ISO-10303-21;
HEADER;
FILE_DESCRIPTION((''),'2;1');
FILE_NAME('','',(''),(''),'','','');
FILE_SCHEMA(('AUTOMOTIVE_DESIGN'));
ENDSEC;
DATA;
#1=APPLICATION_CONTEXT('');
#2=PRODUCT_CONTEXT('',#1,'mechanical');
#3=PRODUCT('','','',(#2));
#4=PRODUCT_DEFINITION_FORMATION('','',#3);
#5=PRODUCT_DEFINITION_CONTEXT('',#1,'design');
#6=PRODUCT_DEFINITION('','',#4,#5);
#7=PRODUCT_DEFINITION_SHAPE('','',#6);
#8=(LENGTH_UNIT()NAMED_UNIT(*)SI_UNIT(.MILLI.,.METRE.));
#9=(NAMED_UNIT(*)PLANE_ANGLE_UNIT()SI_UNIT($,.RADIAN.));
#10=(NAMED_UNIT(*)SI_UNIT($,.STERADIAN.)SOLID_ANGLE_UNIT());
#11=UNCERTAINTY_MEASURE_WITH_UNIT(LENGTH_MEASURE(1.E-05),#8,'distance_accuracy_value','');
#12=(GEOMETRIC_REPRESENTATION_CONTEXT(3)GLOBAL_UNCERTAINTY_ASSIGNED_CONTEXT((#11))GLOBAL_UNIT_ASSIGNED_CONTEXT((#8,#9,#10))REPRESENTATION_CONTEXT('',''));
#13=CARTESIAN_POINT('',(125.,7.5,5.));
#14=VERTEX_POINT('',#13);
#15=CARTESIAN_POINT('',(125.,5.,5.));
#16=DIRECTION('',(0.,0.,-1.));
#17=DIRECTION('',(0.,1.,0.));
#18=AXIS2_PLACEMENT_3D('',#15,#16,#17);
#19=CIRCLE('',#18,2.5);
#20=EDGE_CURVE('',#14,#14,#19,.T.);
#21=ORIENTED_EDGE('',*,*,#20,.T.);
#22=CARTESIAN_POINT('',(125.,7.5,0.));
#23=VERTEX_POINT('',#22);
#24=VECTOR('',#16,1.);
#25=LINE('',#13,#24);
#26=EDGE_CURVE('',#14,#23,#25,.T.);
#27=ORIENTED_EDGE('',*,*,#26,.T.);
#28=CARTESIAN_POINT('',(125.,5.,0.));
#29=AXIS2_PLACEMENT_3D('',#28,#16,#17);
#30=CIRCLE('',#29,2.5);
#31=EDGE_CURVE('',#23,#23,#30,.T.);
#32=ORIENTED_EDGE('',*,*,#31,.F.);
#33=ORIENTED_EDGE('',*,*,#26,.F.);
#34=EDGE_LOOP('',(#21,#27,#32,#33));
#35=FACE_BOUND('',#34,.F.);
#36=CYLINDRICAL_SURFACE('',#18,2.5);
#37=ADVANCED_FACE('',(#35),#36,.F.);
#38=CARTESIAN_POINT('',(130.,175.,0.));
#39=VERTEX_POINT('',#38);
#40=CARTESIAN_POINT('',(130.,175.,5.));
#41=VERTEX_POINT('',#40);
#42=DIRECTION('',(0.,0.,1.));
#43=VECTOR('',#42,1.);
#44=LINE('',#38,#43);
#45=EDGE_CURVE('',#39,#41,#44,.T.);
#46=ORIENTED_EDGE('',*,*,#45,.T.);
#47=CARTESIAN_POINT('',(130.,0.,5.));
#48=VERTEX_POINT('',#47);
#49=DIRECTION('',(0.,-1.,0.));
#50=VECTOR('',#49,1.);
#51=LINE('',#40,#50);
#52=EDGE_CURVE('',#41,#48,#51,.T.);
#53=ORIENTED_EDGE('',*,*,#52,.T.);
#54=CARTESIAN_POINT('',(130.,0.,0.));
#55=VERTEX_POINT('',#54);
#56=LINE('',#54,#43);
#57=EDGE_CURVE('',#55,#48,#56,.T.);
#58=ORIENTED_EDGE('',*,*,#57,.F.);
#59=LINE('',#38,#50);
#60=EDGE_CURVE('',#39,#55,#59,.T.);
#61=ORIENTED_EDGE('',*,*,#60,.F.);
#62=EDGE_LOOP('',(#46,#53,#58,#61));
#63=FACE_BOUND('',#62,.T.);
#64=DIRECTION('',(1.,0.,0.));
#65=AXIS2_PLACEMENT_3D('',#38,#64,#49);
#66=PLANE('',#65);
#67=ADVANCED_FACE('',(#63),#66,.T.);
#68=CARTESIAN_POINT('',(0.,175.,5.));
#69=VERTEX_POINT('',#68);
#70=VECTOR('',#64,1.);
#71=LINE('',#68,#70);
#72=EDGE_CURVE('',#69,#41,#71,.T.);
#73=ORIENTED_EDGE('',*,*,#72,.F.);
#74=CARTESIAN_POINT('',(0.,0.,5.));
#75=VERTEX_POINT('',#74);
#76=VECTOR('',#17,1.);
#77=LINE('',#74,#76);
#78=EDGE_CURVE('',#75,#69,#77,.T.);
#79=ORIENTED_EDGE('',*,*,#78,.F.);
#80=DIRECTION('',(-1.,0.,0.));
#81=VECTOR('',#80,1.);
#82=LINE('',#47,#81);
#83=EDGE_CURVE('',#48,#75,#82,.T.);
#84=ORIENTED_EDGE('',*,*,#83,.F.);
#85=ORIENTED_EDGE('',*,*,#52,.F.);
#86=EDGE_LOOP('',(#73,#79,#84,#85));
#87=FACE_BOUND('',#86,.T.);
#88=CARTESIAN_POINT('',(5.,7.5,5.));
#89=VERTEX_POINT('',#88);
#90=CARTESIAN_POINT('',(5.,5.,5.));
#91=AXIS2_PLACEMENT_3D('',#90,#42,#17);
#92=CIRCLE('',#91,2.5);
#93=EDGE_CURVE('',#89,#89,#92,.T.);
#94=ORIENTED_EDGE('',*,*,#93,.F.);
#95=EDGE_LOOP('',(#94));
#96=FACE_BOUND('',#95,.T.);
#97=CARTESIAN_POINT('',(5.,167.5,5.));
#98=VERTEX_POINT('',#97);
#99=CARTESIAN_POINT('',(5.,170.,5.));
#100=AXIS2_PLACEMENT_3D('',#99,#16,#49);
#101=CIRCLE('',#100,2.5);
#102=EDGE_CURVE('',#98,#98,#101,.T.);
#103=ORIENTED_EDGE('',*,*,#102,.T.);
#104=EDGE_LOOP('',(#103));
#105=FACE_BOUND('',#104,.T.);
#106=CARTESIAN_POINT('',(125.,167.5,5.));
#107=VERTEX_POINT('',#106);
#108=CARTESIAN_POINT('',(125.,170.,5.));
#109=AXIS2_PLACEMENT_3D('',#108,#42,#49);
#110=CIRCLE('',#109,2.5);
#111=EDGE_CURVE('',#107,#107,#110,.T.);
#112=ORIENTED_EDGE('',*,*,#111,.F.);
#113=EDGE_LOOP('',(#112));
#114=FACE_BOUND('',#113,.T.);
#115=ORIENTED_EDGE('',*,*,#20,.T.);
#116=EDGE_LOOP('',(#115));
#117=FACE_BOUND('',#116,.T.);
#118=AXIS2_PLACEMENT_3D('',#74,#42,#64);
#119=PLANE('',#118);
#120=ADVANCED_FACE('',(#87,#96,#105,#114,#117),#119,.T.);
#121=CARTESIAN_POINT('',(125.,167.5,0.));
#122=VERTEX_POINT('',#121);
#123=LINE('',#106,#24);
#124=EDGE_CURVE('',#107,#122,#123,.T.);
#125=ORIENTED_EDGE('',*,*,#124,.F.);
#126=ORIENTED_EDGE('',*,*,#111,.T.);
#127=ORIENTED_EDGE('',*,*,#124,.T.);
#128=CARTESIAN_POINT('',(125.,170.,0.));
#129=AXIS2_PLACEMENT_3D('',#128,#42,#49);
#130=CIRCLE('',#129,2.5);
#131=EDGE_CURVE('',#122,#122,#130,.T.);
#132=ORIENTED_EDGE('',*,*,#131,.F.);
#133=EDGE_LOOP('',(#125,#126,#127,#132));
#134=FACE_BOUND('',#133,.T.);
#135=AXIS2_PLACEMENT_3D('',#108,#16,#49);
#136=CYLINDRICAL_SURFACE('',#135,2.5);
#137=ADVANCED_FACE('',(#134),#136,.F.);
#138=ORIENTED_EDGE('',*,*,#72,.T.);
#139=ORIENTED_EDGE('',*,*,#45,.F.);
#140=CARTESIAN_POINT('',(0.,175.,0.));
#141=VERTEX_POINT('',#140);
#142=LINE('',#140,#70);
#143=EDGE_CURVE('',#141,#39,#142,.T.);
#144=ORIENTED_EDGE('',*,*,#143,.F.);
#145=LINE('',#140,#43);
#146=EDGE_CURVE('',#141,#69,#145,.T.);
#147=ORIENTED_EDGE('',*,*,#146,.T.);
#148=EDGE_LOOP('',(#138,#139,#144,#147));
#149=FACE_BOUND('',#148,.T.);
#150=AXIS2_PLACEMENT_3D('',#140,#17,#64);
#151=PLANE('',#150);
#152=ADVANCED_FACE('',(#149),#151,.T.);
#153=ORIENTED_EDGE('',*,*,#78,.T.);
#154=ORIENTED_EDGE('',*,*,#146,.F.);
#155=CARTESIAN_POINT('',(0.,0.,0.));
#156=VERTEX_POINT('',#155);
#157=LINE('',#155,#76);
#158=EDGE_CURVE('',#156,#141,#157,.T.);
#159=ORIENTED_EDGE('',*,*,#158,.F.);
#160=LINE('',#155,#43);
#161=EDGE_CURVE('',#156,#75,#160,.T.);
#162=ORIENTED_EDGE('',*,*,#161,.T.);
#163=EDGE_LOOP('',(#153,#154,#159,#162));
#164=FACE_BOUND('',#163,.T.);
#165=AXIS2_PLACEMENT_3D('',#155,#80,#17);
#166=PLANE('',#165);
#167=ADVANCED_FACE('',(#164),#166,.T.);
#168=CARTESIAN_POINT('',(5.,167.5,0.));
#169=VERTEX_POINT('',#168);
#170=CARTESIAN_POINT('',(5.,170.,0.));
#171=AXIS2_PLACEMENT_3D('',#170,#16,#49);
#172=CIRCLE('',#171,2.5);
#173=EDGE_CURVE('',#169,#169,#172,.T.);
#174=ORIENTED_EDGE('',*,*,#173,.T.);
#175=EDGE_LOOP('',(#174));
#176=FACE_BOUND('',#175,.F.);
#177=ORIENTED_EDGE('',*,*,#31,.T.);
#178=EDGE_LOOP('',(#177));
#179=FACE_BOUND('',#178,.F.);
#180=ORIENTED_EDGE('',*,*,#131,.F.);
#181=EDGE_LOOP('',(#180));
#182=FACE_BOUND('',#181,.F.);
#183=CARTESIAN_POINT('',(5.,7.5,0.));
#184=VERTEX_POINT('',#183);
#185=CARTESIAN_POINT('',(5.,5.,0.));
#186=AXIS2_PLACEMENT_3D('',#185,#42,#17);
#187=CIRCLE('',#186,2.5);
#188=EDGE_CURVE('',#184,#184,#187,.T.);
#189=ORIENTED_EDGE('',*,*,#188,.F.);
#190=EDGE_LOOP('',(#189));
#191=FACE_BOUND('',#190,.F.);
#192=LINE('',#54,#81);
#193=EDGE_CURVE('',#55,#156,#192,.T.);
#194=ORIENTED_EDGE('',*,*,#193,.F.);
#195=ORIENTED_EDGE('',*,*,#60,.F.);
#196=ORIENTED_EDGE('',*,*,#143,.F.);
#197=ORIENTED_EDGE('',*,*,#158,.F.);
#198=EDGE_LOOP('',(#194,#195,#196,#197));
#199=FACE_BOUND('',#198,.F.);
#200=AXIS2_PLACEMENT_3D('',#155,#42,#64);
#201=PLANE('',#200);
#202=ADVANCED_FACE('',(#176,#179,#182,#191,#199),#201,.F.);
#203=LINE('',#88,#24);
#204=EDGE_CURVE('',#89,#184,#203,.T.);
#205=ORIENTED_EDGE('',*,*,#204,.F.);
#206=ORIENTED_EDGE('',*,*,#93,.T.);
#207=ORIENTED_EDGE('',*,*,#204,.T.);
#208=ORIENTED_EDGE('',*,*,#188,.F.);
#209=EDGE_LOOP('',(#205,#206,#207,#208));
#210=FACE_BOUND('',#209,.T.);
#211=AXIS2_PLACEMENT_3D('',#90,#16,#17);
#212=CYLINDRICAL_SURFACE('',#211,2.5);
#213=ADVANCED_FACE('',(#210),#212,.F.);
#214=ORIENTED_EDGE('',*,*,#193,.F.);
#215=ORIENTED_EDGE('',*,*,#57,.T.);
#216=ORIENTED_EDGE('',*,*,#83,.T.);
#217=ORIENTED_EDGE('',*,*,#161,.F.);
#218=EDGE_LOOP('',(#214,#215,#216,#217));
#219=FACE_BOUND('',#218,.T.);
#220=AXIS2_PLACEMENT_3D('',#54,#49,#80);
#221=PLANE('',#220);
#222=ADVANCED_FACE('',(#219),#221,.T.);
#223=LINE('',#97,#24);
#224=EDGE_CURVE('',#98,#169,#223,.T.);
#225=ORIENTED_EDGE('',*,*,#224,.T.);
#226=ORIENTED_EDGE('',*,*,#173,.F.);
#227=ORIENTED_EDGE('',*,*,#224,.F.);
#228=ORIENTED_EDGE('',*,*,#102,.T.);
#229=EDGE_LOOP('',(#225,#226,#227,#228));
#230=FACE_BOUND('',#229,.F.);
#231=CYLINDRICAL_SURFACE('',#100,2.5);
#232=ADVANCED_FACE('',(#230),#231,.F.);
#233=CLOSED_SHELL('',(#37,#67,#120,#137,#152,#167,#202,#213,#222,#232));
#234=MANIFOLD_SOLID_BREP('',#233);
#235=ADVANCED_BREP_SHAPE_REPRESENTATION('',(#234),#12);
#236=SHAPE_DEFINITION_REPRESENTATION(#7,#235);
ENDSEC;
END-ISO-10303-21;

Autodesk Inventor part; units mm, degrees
ref_plane "XY Plane" through (0, 0, 0) normal (0, 0, 1) x (1, 0, 0)
sketch "Sketch2" plane through (0, 0, 0) normal (0, 0, 1) x (1, 0, 0)
  line L0 (0, 175) -> (130, 175)
  line L1 (130, 175) -> (130, 0)
  line L2 (130, 0) -> (0, 0)
  line L3 (0, 0) -> (0, 175)
  dimension "d2" = 175
  dimension "d3" = 130
extrude "Extrusion1" add sketch "Sketch2" along normal blind 5
sketch "Sketch3" plane through (0, 0, 5) normal (0, 0, 1) x (1, 0, 0)
  line L0 (130, 175) -> (0, 175) projected
  line L1 (0, 0) -> (130, 0) projected
  line L2 (0, 175) -> (0, 0) projected
  line L3 (130, 0) -> (130, 175) projected
  point P0 (5, 170)
  dimension "d8" = 5
  dimension "d9" = 5
hole "Hole1" at (5, 170, 5) direction (0, 0, -1) diameter 5 depth 5
ref_plane "Work Plane1" through (65, 0, 0) normal (1, 0, 0) x (0, 1, 0)
mirror "Mirror1" about plane through (65, 0, 0) normal (1, 0, 0) of "Hole1"
ref_plane "Work Plane2" through (0, 87.5, 0) normal (0, 1, 0) x (-1, 0, 0)
mirror "Mirror2" about plane through (0, 87.5, 0) normal (0, 1, 0) of "Hole1", "Mirror1"
properties part number "basePlate"
